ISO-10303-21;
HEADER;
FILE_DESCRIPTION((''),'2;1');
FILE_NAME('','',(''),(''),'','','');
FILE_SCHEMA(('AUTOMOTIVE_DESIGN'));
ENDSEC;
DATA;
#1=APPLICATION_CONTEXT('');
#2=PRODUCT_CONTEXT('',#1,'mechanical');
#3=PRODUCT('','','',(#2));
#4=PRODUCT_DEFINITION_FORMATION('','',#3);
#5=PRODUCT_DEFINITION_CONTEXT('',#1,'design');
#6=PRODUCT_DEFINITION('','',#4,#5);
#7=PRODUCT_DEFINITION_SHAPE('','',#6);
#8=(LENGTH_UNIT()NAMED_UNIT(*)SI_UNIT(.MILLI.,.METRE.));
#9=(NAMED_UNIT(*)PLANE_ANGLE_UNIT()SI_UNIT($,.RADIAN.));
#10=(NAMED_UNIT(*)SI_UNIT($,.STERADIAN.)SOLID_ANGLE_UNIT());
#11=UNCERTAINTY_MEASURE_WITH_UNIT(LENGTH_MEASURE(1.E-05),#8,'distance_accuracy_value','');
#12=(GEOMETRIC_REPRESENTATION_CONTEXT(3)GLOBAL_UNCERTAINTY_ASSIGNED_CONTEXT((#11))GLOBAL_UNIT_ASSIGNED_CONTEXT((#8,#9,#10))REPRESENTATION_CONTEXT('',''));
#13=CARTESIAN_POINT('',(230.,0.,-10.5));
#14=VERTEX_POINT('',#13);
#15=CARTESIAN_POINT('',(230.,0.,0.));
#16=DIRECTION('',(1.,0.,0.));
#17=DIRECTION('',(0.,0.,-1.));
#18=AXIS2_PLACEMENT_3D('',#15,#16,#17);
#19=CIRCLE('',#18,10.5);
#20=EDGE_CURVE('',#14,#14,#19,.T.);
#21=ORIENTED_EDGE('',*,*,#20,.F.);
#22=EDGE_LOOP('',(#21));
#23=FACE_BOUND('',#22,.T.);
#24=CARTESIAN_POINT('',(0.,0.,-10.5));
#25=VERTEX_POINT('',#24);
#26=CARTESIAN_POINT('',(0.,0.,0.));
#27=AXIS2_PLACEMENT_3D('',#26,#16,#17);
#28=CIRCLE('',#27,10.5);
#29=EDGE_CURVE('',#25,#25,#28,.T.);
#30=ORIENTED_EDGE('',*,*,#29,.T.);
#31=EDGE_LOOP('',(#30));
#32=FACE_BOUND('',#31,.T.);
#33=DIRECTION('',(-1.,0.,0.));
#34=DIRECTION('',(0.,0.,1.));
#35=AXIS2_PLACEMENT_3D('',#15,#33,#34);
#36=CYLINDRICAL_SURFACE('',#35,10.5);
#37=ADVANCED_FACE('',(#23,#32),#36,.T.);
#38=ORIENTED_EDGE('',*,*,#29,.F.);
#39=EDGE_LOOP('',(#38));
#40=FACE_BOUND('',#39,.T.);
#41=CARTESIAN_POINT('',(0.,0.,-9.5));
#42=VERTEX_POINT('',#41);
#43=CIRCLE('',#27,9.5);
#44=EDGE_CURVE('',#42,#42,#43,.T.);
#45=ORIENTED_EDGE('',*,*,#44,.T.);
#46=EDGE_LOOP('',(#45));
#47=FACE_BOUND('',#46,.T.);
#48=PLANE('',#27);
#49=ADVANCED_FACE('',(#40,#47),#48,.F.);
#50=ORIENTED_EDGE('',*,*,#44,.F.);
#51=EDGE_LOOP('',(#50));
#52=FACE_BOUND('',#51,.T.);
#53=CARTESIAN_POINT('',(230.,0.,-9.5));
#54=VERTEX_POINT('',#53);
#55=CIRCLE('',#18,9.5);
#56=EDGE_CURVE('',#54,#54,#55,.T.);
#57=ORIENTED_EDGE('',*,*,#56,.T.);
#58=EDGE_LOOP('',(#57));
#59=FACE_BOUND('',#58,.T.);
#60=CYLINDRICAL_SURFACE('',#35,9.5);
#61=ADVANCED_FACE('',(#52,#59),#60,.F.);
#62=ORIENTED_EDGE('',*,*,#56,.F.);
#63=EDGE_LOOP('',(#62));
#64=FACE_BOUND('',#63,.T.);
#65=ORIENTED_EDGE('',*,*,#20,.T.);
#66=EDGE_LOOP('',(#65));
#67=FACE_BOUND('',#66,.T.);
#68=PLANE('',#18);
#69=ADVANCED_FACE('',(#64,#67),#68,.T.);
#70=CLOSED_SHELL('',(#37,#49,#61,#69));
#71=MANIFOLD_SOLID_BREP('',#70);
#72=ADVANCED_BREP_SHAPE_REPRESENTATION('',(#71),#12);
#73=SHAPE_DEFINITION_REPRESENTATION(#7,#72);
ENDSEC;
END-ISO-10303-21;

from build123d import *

# Parameters (mm, degrees)
SKIZZE1_R                       = 10.5
SKIZZE1_R_2                     = 9.5
AUFSATZ_LINEAR_AUSTRAGEN1_DEPTH = 230


with BuildPart() as part:
    # Skizze1 → Aufsatz-Linear austragen1 (new body)
    with BuildSketch(Plane(origin=(0, 0, 0), x_dir=(0, 0, -1), z_dir=(1, 0, 0))):
        Circle(SKIZZE1_R)
        Circle(SKIZZE1_R_2, mode=Mode.SUBTRACT)
    extrude(amount=AUFSATZ_LINEAR_AUSTRAGEN1_DEPTH)


solid = part.part
